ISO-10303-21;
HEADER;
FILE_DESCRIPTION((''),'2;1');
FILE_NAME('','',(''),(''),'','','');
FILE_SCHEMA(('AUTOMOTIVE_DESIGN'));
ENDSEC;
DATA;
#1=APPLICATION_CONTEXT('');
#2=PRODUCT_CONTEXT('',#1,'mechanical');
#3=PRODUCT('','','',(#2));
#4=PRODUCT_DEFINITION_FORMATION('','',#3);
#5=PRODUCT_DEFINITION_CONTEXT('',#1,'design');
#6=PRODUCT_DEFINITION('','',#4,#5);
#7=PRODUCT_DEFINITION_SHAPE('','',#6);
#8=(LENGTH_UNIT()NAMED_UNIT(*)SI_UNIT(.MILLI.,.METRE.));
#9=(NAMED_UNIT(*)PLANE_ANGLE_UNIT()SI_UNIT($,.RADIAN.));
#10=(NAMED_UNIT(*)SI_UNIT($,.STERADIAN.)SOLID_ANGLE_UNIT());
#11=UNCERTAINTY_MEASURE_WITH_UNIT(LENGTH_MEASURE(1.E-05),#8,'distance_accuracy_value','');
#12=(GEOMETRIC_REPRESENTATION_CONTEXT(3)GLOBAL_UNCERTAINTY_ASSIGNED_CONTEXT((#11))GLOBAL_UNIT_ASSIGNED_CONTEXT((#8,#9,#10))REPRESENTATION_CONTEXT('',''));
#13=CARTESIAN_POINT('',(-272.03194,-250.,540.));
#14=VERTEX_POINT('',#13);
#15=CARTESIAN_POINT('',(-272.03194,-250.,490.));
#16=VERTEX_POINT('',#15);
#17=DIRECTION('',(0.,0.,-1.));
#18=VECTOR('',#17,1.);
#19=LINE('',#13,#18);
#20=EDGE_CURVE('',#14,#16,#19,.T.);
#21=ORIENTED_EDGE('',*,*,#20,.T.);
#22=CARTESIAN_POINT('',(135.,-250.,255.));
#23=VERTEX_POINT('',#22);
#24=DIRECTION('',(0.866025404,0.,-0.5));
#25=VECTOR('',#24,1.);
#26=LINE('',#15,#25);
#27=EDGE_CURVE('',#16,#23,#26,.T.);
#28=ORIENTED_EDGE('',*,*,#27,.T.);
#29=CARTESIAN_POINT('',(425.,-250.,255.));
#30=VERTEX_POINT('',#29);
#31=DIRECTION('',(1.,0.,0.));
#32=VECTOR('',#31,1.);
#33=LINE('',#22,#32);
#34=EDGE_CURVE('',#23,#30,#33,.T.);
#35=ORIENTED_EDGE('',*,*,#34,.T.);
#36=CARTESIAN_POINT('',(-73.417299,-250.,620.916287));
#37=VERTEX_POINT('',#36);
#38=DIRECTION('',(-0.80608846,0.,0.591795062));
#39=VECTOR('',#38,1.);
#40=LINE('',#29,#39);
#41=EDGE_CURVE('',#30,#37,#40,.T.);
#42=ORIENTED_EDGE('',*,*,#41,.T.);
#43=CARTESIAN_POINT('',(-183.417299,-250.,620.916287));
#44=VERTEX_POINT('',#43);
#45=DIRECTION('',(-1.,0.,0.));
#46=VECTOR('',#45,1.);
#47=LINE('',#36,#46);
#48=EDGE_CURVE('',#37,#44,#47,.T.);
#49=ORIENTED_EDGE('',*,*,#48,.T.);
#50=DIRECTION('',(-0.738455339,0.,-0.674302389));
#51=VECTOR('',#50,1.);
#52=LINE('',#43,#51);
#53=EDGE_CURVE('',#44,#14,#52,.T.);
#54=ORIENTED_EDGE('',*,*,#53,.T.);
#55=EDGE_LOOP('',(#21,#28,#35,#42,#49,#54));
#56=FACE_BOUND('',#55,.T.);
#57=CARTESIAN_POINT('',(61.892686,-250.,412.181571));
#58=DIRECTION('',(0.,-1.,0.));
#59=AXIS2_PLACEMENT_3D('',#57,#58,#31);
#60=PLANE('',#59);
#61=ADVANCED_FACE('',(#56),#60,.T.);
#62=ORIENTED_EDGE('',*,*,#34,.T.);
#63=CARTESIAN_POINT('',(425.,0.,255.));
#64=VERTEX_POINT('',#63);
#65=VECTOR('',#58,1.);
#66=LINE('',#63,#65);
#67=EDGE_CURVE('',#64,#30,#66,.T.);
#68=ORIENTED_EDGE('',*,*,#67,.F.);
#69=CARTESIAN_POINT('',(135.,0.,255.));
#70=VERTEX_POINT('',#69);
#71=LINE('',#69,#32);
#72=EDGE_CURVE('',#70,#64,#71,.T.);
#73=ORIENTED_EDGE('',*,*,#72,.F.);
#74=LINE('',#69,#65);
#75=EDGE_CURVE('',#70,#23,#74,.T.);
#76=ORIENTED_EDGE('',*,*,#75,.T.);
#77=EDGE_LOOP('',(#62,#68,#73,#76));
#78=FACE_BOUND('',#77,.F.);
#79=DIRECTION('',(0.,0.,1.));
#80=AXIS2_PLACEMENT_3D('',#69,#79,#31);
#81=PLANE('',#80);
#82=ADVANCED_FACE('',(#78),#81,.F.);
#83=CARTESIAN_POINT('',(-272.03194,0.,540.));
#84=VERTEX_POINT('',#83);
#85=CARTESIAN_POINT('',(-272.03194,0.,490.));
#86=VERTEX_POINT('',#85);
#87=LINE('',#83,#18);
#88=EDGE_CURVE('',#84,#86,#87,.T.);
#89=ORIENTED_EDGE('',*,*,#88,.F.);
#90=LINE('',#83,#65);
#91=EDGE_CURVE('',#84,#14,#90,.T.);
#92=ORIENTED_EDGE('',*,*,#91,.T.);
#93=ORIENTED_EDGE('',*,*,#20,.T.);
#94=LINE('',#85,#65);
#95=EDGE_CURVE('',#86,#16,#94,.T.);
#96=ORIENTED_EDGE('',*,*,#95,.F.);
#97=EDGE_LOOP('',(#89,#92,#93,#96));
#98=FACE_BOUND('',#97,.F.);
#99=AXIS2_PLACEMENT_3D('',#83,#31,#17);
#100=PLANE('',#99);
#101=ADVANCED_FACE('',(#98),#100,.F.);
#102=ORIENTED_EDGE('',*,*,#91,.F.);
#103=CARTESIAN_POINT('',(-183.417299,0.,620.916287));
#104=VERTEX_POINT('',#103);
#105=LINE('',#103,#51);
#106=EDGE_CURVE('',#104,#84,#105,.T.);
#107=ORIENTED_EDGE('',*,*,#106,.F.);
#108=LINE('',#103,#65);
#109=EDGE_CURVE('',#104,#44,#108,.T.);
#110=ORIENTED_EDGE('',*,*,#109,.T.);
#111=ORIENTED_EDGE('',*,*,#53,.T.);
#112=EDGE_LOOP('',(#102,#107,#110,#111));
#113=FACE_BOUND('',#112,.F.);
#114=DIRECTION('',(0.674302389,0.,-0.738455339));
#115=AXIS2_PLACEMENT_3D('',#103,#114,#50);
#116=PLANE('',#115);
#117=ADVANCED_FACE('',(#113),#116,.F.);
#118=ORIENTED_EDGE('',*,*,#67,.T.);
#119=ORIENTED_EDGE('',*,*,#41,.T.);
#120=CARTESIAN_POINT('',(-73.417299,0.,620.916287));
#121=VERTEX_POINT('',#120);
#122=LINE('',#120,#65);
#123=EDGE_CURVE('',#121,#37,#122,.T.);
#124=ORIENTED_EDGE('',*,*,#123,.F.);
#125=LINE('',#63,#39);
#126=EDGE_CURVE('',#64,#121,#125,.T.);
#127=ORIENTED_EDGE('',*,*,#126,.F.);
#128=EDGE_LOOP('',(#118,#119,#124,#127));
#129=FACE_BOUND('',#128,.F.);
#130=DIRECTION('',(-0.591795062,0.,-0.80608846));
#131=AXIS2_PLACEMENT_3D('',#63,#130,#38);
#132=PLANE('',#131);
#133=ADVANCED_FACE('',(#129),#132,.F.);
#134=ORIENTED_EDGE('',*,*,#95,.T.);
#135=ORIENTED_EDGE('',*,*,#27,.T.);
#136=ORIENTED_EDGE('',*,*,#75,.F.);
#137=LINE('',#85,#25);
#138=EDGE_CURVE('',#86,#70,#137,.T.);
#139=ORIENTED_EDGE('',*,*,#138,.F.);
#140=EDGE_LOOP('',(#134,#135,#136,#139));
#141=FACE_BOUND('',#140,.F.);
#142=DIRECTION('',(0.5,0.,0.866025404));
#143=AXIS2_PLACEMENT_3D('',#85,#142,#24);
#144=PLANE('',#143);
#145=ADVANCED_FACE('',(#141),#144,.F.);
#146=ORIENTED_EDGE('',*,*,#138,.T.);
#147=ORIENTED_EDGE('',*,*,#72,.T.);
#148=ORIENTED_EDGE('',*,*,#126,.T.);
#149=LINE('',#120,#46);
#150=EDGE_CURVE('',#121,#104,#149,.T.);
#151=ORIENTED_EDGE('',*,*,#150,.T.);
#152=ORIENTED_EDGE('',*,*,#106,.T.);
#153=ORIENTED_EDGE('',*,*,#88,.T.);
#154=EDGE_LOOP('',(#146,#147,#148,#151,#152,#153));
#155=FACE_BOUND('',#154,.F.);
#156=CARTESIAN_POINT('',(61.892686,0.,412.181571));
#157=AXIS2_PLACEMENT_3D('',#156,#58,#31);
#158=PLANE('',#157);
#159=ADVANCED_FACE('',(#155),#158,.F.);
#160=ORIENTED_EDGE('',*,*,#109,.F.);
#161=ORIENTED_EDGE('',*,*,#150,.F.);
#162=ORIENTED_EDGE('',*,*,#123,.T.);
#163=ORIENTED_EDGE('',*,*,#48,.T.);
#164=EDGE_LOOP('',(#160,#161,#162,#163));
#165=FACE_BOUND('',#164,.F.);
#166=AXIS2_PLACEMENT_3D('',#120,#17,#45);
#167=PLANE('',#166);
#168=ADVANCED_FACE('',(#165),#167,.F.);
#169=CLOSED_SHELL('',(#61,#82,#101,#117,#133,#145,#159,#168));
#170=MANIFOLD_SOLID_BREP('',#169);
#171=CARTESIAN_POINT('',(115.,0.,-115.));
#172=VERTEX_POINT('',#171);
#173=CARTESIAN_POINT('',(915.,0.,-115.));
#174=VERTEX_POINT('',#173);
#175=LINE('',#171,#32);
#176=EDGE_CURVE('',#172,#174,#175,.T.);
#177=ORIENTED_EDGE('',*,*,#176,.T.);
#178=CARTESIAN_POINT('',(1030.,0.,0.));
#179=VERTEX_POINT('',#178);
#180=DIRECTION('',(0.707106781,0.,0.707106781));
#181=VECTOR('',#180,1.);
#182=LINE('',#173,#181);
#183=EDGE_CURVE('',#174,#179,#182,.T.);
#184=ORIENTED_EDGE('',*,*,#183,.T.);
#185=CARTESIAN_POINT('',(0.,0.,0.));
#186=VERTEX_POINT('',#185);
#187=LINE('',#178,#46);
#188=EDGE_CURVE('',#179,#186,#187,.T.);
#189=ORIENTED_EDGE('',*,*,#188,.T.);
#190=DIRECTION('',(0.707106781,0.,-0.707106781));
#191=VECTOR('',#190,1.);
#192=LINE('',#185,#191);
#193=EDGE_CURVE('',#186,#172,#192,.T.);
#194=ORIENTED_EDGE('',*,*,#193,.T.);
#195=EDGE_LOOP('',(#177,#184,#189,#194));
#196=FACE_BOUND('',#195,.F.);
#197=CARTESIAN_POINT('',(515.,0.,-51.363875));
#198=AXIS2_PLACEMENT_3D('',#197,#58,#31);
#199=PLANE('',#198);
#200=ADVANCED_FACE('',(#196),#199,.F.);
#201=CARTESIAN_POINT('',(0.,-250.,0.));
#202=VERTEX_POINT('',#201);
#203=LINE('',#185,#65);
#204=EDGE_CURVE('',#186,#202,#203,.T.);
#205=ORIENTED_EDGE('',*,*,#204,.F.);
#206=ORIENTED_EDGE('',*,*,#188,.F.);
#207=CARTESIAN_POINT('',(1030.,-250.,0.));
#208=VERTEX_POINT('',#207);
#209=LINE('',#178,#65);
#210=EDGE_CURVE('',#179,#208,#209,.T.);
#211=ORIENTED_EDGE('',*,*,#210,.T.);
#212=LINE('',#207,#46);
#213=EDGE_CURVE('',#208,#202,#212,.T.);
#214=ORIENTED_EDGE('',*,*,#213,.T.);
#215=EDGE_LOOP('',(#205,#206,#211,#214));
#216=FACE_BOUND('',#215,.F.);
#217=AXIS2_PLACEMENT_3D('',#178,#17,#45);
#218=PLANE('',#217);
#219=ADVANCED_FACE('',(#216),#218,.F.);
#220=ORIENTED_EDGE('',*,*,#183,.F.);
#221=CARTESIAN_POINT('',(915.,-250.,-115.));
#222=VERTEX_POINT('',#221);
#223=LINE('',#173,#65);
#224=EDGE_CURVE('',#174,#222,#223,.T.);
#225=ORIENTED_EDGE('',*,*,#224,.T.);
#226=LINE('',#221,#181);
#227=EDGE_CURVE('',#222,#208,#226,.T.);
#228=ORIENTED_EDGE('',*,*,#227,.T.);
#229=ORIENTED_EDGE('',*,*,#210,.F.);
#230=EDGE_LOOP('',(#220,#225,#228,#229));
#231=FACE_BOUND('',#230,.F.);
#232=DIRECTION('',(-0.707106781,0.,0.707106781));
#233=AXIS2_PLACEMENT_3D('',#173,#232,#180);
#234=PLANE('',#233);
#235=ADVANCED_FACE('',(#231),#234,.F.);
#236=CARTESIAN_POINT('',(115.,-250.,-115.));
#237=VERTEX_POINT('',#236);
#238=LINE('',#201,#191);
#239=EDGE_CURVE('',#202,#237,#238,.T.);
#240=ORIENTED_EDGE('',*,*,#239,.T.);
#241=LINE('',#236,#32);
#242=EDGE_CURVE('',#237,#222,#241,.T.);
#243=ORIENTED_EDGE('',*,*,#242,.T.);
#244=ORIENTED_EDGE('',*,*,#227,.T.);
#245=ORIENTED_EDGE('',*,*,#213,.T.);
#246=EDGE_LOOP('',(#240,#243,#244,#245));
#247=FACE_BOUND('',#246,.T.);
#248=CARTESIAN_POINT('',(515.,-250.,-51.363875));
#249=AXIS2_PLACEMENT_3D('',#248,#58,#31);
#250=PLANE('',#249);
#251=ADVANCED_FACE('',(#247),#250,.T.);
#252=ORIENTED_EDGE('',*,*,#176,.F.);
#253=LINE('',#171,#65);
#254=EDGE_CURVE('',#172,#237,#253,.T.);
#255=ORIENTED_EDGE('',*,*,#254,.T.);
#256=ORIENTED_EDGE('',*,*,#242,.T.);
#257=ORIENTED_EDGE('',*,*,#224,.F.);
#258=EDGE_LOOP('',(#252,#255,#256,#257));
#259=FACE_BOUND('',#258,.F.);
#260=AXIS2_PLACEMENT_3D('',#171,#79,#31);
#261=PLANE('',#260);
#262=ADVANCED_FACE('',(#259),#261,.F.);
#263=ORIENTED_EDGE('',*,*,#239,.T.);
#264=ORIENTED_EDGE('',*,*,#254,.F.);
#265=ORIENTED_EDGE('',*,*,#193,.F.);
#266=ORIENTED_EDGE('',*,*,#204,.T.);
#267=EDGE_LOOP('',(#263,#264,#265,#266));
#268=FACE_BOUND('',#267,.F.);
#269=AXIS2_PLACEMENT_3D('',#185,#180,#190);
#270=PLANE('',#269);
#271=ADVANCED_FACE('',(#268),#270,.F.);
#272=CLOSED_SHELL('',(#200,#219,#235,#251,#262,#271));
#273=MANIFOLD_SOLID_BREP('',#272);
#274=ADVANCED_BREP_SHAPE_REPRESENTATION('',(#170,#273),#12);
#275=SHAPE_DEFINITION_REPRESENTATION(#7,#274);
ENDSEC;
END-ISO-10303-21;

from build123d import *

# Parameters (mm, degrees)
F1_DEPTH = 250


with BuildPart() as f1:
    # F0 (on Front) → F1 (new body)
    with BuildSketch(Plane.XZ):
        Polygon((1030, 0), (0, 0), (115, -115), (915, -115), align=None)
        Polygon((-272.03194, 490), (135, 255), (425, 255), (-73.417299, 620.916287), (-183.417299, 620.916287), (-272.03194, 540), align=None)
    extrude(amount=F1_DEPTH)


solid = f1.part
